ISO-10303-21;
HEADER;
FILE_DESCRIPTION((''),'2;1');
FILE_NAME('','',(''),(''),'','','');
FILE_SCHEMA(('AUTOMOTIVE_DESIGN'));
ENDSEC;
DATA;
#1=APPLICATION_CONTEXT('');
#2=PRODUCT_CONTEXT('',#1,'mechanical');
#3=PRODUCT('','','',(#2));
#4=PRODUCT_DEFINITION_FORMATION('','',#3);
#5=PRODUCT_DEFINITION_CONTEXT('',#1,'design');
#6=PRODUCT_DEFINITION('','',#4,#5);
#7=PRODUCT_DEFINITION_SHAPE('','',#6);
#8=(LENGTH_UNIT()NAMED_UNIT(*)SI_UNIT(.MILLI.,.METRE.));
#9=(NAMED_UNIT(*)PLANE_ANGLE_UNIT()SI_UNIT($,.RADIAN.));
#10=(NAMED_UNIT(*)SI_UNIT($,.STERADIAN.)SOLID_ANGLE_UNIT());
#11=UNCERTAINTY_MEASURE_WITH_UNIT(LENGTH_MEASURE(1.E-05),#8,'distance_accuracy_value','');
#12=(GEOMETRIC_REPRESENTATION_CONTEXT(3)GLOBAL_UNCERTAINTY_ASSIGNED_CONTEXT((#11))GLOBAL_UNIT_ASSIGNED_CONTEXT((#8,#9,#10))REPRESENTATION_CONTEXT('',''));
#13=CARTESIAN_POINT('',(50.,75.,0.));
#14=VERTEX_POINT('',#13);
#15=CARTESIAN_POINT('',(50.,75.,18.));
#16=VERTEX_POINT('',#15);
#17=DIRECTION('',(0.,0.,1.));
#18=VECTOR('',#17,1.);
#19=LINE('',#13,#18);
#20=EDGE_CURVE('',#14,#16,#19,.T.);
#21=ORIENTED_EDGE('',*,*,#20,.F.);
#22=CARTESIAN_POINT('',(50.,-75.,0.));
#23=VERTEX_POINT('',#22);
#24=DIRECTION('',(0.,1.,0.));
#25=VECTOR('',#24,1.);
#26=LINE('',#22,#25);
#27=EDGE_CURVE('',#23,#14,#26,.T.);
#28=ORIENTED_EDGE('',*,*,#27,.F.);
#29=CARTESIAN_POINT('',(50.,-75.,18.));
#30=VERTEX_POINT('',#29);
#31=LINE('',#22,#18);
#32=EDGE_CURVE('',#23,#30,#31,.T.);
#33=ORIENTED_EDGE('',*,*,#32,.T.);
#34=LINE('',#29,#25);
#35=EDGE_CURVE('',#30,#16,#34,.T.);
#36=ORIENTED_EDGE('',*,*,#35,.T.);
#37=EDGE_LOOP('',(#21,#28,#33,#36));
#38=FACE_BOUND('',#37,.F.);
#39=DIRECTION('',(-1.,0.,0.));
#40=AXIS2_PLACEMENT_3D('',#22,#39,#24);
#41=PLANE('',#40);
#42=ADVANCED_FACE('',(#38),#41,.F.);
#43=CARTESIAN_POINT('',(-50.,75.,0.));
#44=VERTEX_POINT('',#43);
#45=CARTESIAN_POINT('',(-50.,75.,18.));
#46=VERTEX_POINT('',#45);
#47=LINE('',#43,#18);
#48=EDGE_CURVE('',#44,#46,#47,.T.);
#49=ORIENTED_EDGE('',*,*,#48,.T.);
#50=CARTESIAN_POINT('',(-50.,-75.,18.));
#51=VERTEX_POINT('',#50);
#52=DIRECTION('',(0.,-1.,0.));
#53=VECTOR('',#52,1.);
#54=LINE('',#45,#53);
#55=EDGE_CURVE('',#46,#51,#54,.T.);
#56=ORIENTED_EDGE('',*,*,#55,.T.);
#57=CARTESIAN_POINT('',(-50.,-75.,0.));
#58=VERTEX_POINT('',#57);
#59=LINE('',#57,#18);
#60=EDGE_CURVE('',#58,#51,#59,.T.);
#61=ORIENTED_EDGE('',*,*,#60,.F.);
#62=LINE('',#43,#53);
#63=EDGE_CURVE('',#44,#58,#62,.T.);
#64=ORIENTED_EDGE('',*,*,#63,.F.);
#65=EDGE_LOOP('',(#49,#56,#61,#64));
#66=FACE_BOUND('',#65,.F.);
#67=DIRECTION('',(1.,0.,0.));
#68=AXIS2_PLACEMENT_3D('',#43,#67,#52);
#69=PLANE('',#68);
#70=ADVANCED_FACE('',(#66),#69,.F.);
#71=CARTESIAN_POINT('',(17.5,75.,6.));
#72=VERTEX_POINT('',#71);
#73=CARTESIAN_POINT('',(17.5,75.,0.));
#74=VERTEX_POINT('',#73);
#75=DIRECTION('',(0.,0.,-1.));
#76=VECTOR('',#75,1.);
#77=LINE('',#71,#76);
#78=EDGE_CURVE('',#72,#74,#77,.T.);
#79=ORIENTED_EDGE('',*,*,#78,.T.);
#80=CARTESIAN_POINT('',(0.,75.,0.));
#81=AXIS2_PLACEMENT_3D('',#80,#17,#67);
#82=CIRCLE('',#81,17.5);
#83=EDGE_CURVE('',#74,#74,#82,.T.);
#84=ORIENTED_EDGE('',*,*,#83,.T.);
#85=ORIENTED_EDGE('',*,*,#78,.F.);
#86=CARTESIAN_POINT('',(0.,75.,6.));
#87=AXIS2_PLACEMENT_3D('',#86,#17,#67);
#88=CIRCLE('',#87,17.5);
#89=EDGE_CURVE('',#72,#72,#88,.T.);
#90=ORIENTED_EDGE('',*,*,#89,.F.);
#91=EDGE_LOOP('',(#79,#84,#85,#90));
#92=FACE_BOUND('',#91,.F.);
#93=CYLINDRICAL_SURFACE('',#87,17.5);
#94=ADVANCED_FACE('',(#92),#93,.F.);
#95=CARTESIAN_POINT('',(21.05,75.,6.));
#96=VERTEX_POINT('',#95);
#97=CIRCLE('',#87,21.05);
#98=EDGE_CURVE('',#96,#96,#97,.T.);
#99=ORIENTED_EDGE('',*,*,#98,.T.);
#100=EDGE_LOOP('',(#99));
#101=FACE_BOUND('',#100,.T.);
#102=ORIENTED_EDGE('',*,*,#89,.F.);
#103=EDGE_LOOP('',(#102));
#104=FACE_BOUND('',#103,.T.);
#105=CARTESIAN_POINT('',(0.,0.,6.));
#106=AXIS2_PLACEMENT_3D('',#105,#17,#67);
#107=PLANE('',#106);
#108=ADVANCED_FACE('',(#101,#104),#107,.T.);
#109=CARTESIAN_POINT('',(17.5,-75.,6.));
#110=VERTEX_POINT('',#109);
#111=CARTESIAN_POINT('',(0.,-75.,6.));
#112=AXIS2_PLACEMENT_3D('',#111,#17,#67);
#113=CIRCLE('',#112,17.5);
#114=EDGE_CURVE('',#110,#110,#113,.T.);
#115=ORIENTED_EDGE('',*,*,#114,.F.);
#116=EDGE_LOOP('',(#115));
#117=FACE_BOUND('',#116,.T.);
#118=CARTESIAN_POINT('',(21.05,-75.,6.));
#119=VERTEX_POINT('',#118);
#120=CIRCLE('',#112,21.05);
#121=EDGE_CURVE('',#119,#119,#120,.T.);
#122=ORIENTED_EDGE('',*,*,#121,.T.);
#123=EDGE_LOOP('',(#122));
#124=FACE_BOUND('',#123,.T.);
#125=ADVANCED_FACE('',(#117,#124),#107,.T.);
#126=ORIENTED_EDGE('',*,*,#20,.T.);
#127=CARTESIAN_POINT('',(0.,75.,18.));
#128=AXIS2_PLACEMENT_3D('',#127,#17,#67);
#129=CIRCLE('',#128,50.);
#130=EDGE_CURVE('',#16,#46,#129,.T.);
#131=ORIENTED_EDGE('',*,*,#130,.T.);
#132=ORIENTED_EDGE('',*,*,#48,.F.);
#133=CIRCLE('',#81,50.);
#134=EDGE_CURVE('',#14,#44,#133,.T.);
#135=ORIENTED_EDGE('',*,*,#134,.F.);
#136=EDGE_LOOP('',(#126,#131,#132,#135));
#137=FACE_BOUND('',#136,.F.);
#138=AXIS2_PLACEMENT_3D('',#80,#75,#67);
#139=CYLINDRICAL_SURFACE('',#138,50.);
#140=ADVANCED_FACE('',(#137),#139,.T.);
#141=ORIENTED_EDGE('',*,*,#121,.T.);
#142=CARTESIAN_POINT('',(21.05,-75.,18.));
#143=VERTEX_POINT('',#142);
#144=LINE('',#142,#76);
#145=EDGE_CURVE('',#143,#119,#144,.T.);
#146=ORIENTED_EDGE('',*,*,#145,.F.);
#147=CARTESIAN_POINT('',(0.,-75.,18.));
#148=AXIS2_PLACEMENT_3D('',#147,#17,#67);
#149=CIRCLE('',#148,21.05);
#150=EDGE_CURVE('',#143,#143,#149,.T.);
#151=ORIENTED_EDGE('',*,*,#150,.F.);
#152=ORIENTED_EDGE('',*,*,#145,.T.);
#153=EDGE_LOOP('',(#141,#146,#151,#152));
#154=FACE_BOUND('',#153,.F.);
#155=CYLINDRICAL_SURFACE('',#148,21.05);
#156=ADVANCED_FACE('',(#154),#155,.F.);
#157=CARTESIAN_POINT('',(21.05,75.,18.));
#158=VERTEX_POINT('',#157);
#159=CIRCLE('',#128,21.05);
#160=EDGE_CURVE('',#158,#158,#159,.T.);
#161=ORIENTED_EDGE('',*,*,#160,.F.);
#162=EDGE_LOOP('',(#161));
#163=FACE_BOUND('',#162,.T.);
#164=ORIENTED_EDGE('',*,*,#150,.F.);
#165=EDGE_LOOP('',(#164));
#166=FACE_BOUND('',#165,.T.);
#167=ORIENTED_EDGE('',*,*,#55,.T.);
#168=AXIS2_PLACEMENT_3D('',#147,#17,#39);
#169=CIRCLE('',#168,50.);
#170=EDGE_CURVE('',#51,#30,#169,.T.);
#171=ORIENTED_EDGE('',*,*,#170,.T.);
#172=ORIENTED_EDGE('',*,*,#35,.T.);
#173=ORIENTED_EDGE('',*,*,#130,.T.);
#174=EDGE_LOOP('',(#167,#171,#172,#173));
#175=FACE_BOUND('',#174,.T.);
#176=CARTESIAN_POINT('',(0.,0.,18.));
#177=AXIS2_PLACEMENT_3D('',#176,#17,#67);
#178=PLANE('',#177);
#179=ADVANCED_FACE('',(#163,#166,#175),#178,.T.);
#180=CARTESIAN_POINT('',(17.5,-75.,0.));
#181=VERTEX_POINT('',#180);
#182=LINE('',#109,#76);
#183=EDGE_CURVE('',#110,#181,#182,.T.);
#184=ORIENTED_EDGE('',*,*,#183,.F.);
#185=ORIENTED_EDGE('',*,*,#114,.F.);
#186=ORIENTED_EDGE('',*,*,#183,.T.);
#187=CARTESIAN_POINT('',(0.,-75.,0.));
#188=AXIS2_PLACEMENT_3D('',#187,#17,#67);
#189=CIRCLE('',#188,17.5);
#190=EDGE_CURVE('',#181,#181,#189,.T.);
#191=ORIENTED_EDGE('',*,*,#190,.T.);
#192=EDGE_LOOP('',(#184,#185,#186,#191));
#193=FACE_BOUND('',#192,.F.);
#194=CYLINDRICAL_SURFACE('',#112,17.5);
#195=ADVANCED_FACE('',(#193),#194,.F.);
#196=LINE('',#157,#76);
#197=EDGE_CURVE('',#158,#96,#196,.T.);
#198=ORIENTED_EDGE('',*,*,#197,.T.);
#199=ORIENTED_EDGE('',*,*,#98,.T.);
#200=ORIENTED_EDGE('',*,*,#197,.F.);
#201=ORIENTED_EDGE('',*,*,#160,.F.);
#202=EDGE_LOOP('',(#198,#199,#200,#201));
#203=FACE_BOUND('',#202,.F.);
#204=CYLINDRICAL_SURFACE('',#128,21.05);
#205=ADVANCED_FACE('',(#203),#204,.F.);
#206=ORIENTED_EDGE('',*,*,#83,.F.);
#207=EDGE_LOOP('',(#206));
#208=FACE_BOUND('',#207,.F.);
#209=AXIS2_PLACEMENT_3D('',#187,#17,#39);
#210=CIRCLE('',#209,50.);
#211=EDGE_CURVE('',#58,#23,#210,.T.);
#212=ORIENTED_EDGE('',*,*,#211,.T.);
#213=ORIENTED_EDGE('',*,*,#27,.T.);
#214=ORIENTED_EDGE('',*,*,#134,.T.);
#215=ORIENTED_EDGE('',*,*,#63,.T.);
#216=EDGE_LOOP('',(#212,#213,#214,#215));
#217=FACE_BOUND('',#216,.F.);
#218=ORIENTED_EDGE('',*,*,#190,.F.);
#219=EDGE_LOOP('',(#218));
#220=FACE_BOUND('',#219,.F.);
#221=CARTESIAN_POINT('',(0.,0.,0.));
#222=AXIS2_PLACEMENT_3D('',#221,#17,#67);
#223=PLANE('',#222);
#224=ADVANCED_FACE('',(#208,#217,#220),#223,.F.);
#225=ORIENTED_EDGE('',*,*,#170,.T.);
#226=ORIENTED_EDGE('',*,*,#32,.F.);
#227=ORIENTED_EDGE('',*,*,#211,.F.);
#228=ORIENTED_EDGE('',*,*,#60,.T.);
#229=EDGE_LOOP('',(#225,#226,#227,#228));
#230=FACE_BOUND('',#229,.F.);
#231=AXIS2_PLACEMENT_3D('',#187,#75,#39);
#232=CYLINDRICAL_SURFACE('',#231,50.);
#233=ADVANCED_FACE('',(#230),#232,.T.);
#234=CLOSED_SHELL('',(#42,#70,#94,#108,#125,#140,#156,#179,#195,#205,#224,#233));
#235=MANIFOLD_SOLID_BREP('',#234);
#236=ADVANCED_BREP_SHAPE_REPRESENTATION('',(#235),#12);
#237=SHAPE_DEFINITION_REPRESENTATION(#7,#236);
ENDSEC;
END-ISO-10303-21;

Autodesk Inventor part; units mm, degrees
ref_plane "YZ Plane" through (0, 0, 0) normal (1, 0, 0) x (0, 1, 0)
ref_plane "XZ Plane" through (0, 0, 0) normal (0, 1, 0) x (-1, 0, 0)
ref_plane "XY Plane" through (0, 0, 0) normal (0, 0, 1) x (1, 0, 0)
sketch "Szkic1" plane through (0, 0, 0) normal (0, 0, 1) x (1, 0, 0)
  line L0 (0, -75) -> (0, 75) construction
  line L1 (50, -75) -> (50, 75)
  line L2 (-50, 75) -> (-50, -75)
  arc A0 (-50, -75) -> (50, -75) centre (0, -75) ccw
  arc A1 (50, 75) -> (-50, 75) centre (0, 75) ccw
  point P0 (0, 0)
  dimension "d2" = 100
extrude "Wyciągnięcie proste2" add sketch "Szkic1" along normal blind 18
sketch "Szkic2" plane through (0, 0, 18) normal (0, 0, 1) x (1, 0, 0)
  circle A0 centre (0, 75) radius 21.05
  circle A1 centre (0, -75) radius 21.05
  point P0 (0, 0)
  dimension "d7" = 42.1
  dimension "d8" = 42.1
extrude "Wyciągnięcie proste3" cut sketch "Szkic2" against normal blind 12
sketch "Szkic3" plane through (0, -75, 6) normal (0, 0, 1) x (1, 0, 0)
  circle A0 centre (0, 0) radius 17.5
  point P0 (0, 75)
  dimension "d11" = 35
sketch "Szkic4" plane through (0, 75, 6) normal (0, 0, 1) x (1, 0, 0)
  circle A0 centre (0, 0) radius 17.5
  point P0 (0, -75)
  dimension "d12" = 35
extrude "Wyciągnięcie proste4" cut sketch "Szkic4" against normal blind 12
extrude "Wyciągnięcie proste5" cut sketch "Szkic3" against normal blind 12
equation "\"d12\" = d11"
properties part number "podstawa" material "MDF - płyta pilśniowa o średniej gęstości"
